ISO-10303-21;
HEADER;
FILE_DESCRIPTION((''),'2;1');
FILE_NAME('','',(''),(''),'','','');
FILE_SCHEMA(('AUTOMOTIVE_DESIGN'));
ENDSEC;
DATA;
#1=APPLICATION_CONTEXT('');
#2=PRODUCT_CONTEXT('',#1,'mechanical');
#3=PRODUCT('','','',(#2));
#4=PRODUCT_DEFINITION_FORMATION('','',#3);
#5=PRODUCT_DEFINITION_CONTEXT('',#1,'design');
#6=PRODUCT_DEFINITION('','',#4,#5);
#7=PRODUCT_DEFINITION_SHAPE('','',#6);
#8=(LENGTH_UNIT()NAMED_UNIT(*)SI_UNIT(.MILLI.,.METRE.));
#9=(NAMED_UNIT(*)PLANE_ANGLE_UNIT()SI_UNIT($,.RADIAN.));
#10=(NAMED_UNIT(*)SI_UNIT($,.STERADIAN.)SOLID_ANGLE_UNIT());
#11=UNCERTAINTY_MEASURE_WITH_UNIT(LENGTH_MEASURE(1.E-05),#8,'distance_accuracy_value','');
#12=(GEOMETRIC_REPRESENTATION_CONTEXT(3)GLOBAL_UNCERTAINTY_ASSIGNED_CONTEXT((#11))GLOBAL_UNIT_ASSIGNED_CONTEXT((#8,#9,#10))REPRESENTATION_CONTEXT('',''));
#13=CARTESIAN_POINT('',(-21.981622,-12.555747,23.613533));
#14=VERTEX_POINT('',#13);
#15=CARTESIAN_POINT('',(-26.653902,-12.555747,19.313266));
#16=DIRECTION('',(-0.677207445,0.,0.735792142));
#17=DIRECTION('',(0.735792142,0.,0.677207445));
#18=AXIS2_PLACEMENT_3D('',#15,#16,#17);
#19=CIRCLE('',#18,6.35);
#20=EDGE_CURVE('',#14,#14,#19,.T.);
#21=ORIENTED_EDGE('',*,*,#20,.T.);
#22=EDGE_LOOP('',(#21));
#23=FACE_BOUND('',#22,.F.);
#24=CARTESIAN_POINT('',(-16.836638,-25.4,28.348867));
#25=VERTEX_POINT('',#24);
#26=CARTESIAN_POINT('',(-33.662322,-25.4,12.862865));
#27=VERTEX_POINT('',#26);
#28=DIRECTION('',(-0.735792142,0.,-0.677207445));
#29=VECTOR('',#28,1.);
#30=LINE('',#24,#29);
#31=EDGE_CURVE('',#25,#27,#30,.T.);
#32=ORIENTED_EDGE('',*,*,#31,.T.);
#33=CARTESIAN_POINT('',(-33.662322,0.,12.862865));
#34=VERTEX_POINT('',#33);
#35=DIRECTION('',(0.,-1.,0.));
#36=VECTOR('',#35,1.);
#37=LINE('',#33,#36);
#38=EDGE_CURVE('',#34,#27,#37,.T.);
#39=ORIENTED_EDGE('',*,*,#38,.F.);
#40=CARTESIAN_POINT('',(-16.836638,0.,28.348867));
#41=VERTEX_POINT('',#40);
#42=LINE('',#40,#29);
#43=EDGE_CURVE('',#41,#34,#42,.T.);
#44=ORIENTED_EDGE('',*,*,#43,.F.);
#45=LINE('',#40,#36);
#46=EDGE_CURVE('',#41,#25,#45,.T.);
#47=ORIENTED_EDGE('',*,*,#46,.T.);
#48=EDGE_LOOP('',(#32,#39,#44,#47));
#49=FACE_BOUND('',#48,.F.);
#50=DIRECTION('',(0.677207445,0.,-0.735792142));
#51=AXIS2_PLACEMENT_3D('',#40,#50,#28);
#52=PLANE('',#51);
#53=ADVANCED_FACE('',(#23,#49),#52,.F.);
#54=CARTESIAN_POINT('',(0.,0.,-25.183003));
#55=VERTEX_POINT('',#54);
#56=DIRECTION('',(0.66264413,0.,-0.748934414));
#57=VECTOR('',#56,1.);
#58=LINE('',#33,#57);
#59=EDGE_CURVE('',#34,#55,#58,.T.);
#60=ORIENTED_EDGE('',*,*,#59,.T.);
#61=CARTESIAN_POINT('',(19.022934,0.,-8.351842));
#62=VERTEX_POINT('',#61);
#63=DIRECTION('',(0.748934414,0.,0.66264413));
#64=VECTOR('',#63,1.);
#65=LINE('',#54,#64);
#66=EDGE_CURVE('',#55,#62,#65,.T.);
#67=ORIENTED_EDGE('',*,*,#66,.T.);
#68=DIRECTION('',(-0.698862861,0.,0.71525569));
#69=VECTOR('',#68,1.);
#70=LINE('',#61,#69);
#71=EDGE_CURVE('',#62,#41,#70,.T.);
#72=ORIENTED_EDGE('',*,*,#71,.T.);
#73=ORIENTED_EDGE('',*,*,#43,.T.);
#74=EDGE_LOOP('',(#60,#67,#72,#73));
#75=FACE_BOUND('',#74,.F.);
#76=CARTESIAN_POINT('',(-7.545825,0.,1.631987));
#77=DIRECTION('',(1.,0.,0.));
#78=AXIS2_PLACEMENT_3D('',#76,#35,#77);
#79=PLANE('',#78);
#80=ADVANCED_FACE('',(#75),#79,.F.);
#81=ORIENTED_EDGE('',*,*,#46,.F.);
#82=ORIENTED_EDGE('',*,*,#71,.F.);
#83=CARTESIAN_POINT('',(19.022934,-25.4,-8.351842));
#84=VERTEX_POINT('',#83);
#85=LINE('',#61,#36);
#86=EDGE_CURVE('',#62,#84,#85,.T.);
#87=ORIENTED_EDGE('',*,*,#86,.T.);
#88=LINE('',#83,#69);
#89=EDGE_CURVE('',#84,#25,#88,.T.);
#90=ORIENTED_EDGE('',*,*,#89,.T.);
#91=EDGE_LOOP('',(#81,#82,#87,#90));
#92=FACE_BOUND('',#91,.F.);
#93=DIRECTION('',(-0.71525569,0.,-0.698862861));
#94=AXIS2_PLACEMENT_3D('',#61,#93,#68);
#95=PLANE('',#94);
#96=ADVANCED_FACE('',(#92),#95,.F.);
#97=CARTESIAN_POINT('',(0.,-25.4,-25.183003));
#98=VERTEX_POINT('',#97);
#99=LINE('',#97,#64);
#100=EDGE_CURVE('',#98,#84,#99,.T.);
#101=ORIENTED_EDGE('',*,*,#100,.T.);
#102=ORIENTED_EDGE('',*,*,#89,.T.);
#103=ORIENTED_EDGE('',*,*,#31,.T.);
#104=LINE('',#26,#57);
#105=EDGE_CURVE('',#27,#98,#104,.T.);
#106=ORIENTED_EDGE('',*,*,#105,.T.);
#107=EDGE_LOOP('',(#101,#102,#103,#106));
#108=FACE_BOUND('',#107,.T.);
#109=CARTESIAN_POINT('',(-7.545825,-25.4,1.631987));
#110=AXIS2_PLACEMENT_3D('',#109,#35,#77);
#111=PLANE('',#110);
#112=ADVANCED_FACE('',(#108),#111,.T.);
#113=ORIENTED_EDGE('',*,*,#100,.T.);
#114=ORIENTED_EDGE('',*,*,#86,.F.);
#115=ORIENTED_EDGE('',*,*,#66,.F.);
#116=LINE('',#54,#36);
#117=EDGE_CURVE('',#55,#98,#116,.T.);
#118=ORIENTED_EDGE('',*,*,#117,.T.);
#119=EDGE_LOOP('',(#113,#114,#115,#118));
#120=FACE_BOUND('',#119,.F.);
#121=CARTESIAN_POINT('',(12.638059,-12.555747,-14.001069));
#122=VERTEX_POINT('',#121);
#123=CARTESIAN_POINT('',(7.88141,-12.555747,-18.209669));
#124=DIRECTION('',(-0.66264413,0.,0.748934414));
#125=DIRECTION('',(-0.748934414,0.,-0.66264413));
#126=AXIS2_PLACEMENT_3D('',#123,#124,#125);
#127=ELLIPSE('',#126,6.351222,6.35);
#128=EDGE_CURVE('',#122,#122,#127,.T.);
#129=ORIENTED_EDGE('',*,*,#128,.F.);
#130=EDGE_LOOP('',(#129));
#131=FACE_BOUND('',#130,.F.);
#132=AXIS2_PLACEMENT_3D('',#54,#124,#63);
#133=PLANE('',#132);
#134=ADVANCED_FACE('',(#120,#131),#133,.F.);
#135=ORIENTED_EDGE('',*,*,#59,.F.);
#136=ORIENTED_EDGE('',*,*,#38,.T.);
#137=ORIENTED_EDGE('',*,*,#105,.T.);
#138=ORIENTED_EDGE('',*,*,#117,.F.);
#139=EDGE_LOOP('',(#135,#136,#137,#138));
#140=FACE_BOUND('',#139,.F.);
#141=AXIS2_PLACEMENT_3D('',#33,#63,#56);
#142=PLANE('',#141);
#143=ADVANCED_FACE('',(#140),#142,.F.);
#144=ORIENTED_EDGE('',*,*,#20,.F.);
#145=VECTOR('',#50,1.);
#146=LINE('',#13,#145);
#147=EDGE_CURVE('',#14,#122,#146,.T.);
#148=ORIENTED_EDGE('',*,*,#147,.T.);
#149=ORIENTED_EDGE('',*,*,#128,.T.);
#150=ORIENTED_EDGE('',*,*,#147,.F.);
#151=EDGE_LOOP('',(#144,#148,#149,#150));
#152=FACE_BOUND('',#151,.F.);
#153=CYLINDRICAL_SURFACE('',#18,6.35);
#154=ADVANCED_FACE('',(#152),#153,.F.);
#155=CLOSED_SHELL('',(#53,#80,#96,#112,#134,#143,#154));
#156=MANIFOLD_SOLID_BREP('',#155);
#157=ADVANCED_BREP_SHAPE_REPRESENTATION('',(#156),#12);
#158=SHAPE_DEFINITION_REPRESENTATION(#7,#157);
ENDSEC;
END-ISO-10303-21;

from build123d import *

# Parameters (mm, degrees)
F1_DEPTH = 25.4
F2_R     = 6.35
F3_DEPTH = 63.6736984522


with BuildPart() as f1:
    # F0 (on Front) → F1 (new body)
    with BuildSketch(Plane.XZ):
        Polygon((-16.8366376311, 28.3488668501), (-33.6623217992, 12.8628648567), (0, -25.1830033958), (19.0229341263, -8.3518424962), align=None)
    extrude(amount=F1_DEPTH)

    # F2 (on face) → F3 (cut, through all)
    with BuildSketch(Plane(origin=(-21.8472334982, 0, 23.7372209396), x_dir=(0.7357921423, 0, 0.6772074448), z_dir=(-0.6772074448, 0, 0.7357921423))):
        with Locations((-6.5326440295, -12.5557470533)):
            Circle(F2_R)
    extrude(amount=-F3_DEPTH, mode=Mode.SUBTRACT)


solid = f1.part
